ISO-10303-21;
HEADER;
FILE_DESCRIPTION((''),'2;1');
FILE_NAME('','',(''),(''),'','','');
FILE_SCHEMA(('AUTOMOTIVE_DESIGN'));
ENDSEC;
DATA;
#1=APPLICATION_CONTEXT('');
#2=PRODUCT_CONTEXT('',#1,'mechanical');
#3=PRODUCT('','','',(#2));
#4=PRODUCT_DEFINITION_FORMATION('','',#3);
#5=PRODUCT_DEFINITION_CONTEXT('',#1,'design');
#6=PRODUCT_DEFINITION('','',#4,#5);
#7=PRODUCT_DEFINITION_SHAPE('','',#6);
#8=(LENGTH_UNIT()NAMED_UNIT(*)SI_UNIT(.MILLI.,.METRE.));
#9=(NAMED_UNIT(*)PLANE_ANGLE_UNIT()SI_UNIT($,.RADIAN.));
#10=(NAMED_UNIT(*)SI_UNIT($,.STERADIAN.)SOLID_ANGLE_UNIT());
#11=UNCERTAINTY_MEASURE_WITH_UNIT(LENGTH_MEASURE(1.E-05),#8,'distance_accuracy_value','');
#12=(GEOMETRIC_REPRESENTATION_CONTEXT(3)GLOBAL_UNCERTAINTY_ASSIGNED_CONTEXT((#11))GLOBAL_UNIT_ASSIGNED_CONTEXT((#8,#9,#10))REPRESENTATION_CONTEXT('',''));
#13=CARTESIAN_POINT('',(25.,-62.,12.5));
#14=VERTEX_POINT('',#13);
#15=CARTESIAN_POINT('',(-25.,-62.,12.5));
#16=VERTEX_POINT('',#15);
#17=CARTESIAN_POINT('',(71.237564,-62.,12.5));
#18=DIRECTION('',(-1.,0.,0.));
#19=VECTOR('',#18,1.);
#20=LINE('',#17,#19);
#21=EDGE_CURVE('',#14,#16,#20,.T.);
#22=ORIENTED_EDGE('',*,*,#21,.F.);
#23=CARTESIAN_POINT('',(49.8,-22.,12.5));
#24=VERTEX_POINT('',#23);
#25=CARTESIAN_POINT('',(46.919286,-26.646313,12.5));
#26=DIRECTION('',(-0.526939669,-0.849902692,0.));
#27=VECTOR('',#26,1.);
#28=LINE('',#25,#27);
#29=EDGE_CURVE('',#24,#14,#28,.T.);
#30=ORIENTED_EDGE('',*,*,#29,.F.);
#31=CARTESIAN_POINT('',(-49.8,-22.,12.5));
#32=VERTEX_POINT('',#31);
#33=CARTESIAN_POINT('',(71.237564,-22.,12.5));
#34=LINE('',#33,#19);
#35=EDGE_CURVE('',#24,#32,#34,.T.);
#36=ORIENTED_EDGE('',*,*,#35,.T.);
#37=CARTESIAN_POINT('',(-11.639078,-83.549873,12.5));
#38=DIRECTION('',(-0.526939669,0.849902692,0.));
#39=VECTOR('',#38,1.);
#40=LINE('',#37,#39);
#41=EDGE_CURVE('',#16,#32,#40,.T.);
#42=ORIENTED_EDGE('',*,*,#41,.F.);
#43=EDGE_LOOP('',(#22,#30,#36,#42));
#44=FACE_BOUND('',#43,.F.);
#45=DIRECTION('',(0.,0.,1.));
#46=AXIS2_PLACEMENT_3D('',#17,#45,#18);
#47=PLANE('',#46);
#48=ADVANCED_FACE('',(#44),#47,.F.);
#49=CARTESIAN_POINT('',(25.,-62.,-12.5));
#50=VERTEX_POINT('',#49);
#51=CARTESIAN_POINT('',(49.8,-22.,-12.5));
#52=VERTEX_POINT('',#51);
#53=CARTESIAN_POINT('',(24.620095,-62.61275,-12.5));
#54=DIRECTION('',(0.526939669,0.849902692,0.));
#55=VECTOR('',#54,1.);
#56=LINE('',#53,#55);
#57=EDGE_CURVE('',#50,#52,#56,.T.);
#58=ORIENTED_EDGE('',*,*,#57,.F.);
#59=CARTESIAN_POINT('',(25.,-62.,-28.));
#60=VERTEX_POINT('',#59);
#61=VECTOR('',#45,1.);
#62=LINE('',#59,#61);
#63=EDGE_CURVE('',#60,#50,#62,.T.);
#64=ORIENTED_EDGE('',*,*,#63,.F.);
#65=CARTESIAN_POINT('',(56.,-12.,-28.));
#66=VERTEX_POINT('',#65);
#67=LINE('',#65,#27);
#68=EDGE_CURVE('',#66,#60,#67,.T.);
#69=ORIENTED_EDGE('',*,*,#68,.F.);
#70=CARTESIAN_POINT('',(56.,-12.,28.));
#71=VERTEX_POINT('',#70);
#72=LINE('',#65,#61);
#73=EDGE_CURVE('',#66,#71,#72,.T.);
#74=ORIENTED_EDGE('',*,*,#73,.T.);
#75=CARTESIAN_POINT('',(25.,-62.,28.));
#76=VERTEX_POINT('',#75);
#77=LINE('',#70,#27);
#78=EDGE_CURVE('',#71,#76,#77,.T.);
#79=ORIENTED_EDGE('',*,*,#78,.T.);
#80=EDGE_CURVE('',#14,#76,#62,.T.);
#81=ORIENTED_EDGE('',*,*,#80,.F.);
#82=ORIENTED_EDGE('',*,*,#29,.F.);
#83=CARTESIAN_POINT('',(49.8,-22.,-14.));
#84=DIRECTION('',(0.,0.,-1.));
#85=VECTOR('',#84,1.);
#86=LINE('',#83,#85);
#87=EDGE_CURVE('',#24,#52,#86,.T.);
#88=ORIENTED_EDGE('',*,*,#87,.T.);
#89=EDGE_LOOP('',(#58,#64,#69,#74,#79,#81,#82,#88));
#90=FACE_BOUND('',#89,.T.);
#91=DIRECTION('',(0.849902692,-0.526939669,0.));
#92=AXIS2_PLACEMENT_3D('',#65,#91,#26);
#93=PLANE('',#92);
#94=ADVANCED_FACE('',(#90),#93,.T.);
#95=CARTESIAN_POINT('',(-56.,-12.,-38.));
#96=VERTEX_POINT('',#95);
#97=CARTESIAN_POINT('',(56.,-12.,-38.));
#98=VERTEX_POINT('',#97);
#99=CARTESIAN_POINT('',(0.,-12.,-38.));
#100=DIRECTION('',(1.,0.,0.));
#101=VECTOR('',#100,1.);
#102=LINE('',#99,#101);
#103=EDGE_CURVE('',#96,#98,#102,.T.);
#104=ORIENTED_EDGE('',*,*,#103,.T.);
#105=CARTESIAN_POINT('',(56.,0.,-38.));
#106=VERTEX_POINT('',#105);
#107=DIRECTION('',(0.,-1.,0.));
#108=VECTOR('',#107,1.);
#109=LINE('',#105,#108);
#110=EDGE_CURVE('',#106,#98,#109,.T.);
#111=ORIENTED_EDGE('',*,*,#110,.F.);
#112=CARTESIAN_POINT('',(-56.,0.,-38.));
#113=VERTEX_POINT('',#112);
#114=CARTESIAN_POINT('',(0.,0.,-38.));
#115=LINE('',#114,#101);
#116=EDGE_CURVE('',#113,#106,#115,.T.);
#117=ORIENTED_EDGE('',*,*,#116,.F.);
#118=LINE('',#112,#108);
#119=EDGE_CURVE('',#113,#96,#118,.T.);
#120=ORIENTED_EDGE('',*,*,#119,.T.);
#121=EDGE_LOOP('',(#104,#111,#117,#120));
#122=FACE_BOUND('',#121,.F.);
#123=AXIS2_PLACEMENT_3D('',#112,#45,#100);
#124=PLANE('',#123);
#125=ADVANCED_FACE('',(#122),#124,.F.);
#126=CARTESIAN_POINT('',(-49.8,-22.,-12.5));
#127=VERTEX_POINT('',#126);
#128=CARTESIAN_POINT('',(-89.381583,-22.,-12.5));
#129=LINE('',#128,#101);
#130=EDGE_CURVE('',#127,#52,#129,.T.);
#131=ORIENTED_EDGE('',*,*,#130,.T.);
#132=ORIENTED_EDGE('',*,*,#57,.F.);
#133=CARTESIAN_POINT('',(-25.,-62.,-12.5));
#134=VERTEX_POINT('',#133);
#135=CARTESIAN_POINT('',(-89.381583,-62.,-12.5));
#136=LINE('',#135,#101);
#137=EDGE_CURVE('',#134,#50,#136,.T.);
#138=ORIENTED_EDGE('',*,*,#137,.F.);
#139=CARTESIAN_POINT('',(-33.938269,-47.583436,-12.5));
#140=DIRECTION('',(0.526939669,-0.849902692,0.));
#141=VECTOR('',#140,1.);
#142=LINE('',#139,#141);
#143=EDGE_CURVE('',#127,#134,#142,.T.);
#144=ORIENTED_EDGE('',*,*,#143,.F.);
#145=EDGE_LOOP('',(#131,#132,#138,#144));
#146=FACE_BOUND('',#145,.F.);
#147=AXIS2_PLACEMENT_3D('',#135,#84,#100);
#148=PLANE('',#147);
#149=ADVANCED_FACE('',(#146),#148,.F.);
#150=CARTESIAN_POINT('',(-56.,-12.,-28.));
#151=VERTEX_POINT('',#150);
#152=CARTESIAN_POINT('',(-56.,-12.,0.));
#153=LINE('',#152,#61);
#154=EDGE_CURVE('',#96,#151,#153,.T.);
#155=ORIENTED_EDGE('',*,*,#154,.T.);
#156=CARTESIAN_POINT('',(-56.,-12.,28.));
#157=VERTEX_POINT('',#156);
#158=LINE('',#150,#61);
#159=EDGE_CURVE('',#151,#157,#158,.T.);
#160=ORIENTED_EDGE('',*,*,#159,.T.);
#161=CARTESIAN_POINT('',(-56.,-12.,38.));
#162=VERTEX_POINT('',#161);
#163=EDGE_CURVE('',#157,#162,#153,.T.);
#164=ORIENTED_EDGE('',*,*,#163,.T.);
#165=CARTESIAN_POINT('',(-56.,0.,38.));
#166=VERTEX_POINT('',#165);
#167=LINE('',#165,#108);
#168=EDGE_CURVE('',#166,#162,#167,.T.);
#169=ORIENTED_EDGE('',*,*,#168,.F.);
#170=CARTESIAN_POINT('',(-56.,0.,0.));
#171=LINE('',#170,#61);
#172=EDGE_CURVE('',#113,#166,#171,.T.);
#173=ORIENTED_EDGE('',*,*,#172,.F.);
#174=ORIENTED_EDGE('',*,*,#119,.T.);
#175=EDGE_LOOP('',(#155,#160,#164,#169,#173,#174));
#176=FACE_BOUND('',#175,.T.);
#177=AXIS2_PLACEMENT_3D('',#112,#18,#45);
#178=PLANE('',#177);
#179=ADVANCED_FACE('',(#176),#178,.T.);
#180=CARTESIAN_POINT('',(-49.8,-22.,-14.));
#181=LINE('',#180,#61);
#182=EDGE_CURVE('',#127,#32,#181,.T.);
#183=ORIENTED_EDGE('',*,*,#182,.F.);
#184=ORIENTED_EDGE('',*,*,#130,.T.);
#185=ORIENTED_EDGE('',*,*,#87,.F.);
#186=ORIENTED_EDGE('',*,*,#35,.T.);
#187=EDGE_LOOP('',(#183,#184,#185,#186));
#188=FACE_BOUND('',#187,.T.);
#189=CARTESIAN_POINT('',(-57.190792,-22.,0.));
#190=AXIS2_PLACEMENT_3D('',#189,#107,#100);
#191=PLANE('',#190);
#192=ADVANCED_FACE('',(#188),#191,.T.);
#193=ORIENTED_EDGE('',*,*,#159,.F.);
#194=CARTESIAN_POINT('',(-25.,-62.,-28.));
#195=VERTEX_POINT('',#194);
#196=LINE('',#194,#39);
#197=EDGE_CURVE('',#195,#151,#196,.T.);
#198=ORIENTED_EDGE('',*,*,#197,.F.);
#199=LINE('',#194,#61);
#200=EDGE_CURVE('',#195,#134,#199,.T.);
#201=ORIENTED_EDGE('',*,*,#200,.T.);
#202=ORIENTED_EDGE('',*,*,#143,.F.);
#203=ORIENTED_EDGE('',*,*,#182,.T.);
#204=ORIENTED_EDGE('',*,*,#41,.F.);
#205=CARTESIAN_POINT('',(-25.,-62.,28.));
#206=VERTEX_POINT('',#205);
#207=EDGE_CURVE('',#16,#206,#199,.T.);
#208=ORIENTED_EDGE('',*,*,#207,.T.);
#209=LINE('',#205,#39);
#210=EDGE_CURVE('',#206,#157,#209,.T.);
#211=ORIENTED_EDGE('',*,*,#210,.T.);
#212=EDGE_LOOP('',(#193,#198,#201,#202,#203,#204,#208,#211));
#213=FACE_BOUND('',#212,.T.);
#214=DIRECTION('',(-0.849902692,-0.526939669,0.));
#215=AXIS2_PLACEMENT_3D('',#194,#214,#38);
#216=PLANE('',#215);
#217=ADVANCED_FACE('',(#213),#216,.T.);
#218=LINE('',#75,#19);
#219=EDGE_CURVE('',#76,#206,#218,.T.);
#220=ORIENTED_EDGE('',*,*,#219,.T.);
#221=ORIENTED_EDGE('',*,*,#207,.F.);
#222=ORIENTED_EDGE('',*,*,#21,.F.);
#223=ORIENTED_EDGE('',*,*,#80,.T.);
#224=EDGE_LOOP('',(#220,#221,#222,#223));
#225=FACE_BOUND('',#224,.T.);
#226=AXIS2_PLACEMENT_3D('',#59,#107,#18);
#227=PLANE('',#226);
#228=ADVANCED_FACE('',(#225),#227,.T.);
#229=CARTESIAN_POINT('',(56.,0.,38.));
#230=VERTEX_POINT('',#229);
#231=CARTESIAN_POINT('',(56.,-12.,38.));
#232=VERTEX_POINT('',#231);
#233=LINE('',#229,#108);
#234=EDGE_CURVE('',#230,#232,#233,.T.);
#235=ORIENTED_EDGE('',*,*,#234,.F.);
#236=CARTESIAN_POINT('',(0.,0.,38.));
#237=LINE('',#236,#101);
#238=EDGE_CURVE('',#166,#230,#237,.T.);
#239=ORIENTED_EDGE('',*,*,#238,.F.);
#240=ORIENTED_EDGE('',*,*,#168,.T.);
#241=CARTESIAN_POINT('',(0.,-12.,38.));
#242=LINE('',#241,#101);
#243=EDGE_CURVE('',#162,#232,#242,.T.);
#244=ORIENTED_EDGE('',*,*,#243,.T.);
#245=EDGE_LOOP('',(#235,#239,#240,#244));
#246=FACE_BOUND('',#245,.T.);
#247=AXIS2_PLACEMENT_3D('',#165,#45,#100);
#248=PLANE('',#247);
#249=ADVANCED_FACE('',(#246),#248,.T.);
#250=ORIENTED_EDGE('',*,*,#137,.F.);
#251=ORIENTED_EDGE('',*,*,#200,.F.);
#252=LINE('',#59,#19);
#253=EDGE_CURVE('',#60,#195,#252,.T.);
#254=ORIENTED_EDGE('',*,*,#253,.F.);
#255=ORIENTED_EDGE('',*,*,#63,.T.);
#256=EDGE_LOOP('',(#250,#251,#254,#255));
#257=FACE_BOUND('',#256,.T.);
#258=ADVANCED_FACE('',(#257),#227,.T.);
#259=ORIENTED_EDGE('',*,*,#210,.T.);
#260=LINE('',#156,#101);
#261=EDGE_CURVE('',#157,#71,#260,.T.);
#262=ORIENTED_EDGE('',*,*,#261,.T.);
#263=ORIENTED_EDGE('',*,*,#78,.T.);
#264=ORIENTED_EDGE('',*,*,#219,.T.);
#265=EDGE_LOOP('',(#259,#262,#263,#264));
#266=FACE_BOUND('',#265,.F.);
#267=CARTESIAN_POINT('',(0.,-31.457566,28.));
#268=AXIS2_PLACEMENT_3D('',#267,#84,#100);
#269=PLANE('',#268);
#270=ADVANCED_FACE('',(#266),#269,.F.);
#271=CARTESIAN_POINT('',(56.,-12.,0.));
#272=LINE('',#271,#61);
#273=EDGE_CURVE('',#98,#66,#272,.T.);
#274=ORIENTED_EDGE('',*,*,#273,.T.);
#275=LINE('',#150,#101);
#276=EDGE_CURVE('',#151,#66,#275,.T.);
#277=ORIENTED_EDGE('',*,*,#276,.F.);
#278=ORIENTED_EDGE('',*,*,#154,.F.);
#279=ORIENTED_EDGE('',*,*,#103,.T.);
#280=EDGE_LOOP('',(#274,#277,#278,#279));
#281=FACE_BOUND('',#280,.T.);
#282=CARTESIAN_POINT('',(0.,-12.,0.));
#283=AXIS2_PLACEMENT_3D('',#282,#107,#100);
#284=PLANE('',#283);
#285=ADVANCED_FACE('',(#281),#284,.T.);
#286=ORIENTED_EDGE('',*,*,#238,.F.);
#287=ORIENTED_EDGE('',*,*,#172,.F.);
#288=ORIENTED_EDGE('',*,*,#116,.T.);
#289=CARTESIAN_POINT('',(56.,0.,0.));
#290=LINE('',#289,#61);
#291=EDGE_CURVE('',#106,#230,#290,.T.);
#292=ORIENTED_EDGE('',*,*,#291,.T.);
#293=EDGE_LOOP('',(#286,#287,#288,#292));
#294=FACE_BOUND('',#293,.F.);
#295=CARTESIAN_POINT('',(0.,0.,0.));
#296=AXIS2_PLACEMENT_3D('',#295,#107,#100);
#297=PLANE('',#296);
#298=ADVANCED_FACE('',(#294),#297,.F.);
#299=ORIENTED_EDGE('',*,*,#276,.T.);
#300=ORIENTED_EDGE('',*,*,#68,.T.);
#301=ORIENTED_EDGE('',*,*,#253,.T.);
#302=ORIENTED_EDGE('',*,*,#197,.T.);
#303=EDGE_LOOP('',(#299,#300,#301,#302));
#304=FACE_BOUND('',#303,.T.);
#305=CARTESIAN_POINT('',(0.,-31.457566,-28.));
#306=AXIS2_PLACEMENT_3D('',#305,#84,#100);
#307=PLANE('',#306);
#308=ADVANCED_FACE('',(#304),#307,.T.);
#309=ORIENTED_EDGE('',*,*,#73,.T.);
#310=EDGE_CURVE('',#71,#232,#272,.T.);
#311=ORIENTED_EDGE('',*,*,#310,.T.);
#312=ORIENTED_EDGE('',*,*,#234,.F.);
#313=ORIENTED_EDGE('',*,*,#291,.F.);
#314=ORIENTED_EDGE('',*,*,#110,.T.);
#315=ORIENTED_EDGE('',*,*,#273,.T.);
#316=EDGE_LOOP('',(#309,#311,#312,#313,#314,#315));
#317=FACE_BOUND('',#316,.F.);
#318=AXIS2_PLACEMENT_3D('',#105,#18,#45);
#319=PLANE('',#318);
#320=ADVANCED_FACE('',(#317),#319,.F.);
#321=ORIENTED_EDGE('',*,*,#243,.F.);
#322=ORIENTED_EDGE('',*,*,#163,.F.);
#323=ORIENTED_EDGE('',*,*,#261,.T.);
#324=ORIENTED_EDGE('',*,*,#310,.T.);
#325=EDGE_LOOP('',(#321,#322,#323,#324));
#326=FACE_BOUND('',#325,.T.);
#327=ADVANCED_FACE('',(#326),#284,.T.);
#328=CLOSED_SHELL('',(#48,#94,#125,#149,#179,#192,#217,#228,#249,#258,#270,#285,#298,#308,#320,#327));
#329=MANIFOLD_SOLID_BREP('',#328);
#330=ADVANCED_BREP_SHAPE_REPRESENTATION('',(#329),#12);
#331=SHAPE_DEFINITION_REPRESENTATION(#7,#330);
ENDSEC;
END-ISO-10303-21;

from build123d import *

# Parameters (mm, degrees)
F0_W     = 112
F0_H     = 76
F1_DEPTH = 12
F4_DEPTH = 56
F5_W     = 46.2375640869
F5_H     = 25
F6_DEPTH = 40


with BuildPart() as f1:
    # F0 (on Front) → F1 (new body)
    with BuildSketch(Plane.XZ):
        Rectangle(F0_W, F0_H)
    extrude(amount=F1_DEPTH)

    # F3 (on offset) → F4 (join)
    with BuildSketch(Plane(origin=(0, 0, -28), x_dir=(1, 0, 0), z_dir=(0, 0, -1))):
        Polygon((-25, 62), (-56, 12), (56, 12), (25, 62), align=None)
    extrude(amount=-F4_DEPTH)

    # F5 (on face) → F6 (cut)
    with BuildSketch(Plane.XZ.offset(62)):
        Polygon((-33.4565163767, -12.5), (-25, -12.5), (-25, 12.5), (-33.4565163767, 12.5), (-89.381583035, 12.5), (-89.381583035, -12.5), align=None)
        with Locations((48.1187820435, 0)):
            Rectangle(F5_W, F5_H)
        Polygon((-25, -12.5), (24.235787726, -12.5), (25, -12.5), (25, 12.5), (24.235787726, 12.5), (-25, 12.5), align=None)
    extrude(amount=-F6_DEPTH, mode=Mode.SUBTRACT)


solid = f1.part
